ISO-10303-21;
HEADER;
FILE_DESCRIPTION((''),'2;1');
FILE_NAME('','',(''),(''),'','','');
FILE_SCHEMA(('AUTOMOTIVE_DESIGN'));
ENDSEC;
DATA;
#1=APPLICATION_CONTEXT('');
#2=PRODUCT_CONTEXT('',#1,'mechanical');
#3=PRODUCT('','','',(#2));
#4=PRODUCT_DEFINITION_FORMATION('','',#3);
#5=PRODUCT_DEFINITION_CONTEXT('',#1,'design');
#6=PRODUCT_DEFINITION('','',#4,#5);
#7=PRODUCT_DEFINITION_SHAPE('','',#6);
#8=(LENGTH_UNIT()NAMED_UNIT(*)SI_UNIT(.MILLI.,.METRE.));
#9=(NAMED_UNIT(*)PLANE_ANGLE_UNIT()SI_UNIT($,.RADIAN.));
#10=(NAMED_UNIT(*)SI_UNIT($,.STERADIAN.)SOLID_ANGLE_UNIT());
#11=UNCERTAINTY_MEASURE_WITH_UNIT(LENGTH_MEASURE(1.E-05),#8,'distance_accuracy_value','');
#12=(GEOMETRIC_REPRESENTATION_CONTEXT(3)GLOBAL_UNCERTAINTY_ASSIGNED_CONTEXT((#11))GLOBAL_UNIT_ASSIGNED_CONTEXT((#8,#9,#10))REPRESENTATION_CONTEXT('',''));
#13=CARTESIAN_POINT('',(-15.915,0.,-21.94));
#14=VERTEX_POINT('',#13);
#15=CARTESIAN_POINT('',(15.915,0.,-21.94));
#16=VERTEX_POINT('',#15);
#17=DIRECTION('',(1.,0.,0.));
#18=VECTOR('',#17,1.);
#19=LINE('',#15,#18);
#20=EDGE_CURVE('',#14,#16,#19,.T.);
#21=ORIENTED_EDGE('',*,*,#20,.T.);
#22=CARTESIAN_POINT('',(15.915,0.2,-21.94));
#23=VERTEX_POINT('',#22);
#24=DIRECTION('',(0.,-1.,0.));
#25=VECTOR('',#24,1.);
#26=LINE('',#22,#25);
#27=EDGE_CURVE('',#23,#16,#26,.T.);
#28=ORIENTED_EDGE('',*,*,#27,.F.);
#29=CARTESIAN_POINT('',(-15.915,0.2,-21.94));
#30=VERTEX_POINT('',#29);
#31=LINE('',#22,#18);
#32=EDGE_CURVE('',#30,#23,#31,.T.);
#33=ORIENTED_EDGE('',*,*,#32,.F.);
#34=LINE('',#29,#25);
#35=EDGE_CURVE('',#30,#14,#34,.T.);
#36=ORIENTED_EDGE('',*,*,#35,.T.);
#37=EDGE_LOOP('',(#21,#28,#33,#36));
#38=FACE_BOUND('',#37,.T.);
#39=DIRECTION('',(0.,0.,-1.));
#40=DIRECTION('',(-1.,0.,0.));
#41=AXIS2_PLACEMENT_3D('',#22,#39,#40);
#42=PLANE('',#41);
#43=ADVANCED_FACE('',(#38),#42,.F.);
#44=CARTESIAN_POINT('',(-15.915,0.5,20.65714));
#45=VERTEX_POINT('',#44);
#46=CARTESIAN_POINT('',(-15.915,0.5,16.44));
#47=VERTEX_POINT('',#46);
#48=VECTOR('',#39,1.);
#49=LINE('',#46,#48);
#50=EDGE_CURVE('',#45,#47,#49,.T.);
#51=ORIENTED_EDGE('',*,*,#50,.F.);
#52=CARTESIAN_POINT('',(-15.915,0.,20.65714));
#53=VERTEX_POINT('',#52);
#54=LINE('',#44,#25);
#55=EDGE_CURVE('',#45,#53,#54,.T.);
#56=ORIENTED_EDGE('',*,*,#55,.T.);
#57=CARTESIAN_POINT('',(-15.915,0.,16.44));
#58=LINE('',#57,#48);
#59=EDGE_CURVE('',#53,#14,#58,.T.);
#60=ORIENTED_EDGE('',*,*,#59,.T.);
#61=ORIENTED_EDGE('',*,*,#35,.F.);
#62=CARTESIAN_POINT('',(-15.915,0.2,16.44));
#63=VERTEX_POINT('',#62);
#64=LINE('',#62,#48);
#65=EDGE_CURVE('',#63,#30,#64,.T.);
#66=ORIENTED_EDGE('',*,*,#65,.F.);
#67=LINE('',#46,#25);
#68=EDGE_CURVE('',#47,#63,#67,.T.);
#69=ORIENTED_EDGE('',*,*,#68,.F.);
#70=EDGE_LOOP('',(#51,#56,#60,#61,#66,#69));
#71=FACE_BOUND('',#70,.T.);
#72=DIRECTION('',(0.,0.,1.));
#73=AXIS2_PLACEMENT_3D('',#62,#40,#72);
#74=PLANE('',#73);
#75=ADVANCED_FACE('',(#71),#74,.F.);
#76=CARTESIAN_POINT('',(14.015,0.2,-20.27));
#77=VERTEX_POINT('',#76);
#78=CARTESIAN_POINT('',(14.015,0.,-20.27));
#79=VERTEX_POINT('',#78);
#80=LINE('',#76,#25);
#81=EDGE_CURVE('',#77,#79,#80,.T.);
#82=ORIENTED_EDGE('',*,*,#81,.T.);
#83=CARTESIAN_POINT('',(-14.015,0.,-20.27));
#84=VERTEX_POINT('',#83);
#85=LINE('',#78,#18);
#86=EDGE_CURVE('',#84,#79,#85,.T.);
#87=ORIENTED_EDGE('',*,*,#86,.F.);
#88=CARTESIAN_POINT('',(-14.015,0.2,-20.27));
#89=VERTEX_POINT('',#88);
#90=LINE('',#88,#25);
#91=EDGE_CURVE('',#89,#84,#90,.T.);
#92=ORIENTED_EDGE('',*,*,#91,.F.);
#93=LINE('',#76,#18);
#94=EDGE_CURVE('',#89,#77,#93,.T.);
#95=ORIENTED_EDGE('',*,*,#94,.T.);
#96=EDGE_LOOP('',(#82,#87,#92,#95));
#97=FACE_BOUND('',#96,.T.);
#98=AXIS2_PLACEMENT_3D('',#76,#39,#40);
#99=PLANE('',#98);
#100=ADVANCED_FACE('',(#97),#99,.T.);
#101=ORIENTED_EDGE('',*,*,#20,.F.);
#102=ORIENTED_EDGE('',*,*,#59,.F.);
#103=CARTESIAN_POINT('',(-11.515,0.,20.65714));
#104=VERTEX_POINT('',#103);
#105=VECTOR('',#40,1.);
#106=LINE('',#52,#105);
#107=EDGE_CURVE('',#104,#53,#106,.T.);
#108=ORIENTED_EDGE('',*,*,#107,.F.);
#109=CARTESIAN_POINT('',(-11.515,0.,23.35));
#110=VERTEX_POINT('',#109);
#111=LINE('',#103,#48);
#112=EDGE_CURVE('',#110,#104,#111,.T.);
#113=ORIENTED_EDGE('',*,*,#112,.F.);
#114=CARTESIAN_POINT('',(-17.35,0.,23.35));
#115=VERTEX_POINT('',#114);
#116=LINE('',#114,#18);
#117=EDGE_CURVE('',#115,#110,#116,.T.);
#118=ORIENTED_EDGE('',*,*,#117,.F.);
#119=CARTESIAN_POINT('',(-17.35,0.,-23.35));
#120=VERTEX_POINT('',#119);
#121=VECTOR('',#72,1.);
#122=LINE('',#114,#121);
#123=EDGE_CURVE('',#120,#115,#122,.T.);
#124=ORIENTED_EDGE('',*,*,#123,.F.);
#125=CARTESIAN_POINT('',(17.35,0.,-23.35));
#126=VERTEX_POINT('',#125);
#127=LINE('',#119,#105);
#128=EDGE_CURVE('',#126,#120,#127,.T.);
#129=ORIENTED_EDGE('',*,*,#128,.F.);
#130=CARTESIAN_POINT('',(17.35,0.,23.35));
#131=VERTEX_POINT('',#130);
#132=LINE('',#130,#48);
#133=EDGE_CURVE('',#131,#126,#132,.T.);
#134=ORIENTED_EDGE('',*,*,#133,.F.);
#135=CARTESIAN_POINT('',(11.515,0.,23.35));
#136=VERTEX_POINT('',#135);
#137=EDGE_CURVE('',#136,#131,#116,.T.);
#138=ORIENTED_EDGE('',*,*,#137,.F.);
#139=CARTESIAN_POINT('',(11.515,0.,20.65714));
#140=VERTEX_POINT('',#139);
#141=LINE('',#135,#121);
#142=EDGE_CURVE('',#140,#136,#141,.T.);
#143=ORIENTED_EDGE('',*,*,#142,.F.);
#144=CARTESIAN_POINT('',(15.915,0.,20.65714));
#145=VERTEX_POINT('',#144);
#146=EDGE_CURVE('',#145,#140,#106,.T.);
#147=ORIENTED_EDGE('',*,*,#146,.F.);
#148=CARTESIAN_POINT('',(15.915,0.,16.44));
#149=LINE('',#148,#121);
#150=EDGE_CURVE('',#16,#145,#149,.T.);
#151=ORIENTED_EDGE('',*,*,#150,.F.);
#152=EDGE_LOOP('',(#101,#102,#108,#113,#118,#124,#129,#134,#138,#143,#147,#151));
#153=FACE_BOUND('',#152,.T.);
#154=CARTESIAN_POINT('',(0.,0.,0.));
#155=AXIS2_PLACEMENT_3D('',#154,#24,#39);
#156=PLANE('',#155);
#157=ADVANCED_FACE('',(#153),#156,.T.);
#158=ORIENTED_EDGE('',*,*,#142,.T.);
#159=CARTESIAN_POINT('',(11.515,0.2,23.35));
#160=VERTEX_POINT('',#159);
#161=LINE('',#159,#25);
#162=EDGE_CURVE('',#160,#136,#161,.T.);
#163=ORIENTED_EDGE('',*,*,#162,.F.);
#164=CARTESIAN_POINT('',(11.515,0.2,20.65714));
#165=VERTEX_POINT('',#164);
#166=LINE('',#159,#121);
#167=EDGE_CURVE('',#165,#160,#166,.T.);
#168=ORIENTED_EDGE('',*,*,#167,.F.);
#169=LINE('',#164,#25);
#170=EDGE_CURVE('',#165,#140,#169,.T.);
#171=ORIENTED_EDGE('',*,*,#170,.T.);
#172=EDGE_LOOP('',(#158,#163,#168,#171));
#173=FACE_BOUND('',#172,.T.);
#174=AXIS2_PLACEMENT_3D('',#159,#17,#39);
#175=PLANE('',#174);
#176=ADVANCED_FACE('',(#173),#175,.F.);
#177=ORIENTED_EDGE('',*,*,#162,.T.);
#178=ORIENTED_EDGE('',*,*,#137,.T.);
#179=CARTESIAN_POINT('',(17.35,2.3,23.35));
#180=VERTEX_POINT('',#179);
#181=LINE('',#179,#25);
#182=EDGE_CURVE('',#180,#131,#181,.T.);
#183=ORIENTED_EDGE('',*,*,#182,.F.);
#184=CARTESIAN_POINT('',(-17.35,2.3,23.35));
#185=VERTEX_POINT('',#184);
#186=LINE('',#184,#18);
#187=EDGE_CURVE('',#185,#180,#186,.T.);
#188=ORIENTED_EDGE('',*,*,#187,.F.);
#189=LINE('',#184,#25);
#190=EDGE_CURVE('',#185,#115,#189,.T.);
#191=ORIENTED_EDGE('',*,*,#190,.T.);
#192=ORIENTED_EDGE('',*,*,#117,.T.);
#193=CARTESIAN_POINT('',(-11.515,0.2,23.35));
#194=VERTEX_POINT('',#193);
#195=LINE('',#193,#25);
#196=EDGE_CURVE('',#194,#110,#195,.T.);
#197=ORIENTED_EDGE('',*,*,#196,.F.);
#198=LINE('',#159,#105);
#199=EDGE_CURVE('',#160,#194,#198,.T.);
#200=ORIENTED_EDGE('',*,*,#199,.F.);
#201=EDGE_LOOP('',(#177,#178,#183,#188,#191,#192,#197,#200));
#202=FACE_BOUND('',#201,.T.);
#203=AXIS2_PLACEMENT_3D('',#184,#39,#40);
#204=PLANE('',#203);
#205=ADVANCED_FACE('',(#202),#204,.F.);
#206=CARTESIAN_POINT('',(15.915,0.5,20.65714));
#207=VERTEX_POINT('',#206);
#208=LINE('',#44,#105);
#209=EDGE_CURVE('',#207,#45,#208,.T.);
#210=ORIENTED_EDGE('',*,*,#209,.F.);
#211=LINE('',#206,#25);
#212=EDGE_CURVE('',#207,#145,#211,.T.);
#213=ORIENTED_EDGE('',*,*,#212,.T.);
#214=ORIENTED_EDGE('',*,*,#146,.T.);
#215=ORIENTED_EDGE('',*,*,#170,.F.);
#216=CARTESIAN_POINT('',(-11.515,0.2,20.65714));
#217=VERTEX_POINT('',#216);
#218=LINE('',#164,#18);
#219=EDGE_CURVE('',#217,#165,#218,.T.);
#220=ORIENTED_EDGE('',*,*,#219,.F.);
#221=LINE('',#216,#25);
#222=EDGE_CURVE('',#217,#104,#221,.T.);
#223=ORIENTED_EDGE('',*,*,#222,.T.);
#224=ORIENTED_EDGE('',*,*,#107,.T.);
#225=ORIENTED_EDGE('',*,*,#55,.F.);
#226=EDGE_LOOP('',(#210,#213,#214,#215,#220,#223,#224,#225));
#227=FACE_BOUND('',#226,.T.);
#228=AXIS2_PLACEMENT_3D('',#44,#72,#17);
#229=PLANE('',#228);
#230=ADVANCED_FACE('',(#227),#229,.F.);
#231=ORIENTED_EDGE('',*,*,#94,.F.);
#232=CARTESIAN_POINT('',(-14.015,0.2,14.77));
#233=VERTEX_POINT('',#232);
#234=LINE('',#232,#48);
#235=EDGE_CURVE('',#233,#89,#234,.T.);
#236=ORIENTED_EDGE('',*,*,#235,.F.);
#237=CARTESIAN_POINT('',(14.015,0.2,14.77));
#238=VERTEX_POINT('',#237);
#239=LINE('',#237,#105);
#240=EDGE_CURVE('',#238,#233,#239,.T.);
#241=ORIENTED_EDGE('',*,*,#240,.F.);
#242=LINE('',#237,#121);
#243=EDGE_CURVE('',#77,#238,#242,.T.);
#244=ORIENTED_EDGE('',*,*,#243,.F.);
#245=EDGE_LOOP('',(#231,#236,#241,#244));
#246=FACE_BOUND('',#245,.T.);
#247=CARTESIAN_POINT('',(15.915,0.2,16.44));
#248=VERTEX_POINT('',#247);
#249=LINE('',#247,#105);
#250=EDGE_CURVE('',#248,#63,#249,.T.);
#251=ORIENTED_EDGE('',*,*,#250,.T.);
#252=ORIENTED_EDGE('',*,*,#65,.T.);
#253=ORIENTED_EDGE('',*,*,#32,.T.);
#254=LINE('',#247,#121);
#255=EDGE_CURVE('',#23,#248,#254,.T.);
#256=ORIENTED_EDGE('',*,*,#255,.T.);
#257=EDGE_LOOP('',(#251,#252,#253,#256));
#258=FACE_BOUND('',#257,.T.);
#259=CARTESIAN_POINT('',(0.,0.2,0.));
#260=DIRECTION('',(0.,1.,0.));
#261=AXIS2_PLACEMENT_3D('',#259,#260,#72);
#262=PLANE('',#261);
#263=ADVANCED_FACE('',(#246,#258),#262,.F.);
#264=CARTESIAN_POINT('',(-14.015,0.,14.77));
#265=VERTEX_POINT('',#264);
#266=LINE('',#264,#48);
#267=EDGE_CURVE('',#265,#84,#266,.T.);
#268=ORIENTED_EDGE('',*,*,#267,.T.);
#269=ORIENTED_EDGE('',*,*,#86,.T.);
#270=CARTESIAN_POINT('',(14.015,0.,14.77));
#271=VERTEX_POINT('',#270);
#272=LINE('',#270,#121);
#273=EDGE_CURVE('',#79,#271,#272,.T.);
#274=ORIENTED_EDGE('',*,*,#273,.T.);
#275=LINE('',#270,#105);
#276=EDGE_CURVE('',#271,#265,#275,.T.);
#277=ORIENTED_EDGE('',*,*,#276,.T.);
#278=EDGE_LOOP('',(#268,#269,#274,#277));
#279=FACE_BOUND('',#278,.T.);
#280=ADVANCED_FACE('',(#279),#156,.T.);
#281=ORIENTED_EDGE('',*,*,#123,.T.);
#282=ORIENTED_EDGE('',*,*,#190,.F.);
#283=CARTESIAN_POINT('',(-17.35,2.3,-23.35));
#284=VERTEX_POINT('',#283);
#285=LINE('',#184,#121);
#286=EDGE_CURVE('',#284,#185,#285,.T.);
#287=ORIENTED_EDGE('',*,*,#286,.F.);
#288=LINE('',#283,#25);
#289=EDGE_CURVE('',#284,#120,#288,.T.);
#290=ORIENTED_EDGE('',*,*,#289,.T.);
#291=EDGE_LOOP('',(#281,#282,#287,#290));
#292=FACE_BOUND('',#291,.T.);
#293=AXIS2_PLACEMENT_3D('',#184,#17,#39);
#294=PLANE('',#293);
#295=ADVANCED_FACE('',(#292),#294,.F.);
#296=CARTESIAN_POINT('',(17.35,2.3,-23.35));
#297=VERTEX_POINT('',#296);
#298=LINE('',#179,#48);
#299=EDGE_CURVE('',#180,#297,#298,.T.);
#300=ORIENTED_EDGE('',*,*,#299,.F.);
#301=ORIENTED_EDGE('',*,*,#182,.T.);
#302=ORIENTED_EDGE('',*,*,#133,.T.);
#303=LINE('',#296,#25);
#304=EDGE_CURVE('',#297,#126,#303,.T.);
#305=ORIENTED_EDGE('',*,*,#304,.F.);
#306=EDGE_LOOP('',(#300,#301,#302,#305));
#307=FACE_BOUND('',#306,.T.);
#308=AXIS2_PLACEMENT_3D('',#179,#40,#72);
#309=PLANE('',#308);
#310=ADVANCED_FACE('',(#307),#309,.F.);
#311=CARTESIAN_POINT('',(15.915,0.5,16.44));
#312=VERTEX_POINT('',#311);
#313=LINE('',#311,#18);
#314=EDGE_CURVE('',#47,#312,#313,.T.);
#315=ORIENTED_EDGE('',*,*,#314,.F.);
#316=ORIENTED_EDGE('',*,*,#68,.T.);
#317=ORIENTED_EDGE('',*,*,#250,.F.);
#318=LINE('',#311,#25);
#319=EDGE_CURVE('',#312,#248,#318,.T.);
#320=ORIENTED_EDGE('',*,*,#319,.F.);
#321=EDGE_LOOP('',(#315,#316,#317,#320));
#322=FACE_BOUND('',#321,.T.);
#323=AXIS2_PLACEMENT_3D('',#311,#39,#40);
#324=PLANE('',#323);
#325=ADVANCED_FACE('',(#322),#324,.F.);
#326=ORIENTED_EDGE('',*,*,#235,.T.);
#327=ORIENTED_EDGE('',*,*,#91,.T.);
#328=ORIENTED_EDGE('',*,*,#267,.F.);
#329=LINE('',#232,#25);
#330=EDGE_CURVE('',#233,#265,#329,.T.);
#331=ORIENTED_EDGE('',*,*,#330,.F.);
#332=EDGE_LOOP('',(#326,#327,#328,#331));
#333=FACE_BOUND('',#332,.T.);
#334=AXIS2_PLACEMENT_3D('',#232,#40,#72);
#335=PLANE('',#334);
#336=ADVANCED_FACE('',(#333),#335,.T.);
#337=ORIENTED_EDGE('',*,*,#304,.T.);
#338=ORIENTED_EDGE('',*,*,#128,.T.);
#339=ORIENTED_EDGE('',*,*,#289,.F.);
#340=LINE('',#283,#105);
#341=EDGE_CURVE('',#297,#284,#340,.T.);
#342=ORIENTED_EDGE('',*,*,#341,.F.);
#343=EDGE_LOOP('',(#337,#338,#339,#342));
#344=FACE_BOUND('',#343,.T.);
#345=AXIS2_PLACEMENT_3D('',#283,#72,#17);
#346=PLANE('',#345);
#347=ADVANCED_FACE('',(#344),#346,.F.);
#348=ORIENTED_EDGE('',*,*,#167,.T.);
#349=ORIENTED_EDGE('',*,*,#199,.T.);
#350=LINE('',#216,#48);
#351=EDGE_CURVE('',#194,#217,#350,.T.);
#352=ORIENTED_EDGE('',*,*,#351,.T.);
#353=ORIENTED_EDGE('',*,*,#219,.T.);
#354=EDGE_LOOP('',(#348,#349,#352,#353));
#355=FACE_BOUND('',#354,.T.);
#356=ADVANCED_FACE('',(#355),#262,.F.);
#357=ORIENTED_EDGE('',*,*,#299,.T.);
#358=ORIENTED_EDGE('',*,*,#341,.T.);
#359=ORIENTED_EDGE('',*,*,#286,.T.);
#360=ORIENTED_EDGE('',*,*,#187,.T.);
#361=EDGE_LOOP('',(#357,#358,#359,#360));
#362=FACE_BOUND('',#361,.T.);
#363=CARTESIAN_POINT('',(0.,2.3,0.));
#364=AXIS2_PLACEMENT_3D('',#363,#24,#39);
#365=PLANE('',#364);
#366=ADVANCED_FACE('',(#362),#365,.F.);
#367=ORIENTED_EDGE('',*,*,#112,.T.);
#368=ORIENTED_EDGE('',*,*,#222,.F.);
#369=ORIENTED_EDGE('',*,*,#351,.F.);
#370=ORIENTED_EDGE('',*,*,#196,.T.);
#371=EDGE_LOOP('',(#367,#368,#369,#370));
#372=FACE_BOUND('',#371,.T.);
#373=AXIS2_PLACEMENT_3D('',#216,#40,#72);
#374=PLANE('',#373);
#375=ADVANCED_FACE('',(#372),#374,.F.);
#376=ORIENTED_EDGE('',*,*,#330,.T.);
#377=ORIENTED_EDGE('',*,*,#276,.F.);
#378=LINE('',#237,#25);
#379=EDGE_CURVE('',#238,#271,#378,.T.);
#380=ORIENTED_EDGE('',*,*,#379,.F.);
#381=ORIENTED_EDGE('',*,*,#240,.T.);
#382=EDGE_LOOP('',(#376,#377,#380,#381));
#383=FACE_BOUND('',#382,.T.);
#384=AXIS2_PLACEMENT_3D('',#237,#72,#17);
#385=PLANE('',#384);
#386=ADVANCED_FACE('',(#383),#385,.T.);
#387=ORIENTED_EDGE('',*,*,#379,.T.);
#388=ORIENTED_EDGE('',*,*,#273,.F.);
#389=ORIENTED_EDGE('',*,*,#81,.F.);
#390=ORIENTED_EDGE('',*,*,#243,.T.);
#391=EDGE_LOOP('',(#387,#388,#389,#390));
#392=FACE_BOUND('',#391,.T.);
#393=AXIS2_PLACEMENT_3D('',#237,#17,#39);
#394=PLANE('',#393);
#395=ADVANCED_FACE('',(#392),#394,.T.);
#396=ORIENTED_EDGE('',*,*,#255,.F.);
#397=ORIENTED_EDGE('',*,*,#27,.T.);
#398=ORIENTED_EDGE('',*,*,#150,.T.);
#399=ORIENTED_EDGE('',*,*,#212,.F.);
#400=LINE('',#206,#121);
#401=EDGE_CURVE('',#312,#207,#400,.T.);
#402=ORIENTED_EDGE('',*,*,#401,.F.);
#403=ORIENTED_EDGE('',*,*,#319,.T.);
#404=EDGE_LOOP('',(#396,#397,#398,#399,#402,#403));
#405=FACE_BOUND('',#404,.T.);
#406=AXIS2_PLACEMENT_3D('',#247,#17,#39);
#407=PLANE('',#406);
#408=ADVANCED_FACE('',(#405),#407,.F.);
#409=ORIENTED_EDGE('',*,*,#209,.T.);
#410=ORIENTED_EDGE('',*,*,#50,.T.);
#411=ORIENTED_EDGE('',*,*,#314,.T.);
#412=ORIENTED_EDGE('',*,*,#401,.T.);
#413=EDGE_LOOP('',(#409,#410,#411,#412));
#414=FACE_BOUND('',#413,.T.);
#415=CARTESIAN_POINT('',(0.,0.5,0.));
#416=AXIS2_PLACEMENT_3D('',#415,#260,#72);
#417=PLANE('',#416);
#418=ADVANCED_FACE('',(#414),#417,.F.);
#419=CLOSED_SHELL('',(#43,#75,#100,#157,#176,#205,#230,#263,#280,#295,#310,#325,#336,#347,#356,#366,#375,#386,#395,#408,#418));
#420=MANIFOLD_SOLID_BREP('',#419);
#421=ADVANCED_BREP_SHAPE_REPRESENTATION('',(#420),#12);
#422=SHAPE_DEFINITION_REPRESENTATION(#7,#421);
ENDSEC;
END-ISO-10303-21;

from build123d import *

# Parameters (mm, degrees)
SKETCH_1_W          = 34.7
SKETCH_1_H          = 46.7
EXTRUDE_1_DEPTH     = 2.3
SKETCH_2_W          = 31.83
SKETCH_2_H          = 38.38
SKETCH_2_W_2        = 28.03
SKETCH_2_H_2        = 35.04
CUT_EXTRUDE_1_DEPTH = 0.2
SKETCH_3_W          = 31.83
SKETCH_3_H          = 4.217139833
CUT_EXTRUDE_2_DEPTH = 0.5
SKETCH_4_W          = 23.03
SKETCH_4_H          = 2.692860167
CUT_EXTRUDE_3_DEPTH = 0.2


with BuildPart() as part:
    # Эскиз1 → Бобышка-Вытянуть1 (new body)
    with BuildSketch(Plane(origin=(0, 0, 0), x_dir=(1, 0, 0), z_dir=(0, 1, 0))):
        Rectangle(SKETCH_1_W, SKETCH_1_H)
    extrude(amount=EXTRUDE_1_DEPTH)

    # Эскиз2 → Вырез-Вытянуть1 (cut)
    with BuildSketch(Plane.XZ):
        with Locations((0, -2.75)):
            Rectangle(SKETCH_2_W, SKETCH_2_H)
        with Locations((0, -2.75)):
            Rectangle(SKETCH_2_W_2, SKETCH_2_H_2, mode=Mode.SUBTRACT)
    extrude(amount=-CUT_EXTRUDE_1_DEPTH, mode=Mode.SUBTRACT)

    # Эскиз3 → Вырез-Вытянуть2 (cut)
    with BuildSketch(Plane.XZ):
        with Locations((0, 18.548569916)):
            Rectangle(SKETCH_3_W, SKETCH_3_H)
    extrude(amount=-CUT_EXTRUDE_2_DEPTH, mode=Mode.SUBTRACT)

    # Эскиз4 → Вырез-Вытянуть3 (cut)
    with BuildSketch(Plane.XZ):
        with Locations((0, 22.003569917)):
            Rectangle(SKETCH_4_W, SKETCH_4_H)
    extrude(amount=-CUT_EXTRUDE_3_DEPTH, mode=Mode.SUBTRACT)


solid = part.part
